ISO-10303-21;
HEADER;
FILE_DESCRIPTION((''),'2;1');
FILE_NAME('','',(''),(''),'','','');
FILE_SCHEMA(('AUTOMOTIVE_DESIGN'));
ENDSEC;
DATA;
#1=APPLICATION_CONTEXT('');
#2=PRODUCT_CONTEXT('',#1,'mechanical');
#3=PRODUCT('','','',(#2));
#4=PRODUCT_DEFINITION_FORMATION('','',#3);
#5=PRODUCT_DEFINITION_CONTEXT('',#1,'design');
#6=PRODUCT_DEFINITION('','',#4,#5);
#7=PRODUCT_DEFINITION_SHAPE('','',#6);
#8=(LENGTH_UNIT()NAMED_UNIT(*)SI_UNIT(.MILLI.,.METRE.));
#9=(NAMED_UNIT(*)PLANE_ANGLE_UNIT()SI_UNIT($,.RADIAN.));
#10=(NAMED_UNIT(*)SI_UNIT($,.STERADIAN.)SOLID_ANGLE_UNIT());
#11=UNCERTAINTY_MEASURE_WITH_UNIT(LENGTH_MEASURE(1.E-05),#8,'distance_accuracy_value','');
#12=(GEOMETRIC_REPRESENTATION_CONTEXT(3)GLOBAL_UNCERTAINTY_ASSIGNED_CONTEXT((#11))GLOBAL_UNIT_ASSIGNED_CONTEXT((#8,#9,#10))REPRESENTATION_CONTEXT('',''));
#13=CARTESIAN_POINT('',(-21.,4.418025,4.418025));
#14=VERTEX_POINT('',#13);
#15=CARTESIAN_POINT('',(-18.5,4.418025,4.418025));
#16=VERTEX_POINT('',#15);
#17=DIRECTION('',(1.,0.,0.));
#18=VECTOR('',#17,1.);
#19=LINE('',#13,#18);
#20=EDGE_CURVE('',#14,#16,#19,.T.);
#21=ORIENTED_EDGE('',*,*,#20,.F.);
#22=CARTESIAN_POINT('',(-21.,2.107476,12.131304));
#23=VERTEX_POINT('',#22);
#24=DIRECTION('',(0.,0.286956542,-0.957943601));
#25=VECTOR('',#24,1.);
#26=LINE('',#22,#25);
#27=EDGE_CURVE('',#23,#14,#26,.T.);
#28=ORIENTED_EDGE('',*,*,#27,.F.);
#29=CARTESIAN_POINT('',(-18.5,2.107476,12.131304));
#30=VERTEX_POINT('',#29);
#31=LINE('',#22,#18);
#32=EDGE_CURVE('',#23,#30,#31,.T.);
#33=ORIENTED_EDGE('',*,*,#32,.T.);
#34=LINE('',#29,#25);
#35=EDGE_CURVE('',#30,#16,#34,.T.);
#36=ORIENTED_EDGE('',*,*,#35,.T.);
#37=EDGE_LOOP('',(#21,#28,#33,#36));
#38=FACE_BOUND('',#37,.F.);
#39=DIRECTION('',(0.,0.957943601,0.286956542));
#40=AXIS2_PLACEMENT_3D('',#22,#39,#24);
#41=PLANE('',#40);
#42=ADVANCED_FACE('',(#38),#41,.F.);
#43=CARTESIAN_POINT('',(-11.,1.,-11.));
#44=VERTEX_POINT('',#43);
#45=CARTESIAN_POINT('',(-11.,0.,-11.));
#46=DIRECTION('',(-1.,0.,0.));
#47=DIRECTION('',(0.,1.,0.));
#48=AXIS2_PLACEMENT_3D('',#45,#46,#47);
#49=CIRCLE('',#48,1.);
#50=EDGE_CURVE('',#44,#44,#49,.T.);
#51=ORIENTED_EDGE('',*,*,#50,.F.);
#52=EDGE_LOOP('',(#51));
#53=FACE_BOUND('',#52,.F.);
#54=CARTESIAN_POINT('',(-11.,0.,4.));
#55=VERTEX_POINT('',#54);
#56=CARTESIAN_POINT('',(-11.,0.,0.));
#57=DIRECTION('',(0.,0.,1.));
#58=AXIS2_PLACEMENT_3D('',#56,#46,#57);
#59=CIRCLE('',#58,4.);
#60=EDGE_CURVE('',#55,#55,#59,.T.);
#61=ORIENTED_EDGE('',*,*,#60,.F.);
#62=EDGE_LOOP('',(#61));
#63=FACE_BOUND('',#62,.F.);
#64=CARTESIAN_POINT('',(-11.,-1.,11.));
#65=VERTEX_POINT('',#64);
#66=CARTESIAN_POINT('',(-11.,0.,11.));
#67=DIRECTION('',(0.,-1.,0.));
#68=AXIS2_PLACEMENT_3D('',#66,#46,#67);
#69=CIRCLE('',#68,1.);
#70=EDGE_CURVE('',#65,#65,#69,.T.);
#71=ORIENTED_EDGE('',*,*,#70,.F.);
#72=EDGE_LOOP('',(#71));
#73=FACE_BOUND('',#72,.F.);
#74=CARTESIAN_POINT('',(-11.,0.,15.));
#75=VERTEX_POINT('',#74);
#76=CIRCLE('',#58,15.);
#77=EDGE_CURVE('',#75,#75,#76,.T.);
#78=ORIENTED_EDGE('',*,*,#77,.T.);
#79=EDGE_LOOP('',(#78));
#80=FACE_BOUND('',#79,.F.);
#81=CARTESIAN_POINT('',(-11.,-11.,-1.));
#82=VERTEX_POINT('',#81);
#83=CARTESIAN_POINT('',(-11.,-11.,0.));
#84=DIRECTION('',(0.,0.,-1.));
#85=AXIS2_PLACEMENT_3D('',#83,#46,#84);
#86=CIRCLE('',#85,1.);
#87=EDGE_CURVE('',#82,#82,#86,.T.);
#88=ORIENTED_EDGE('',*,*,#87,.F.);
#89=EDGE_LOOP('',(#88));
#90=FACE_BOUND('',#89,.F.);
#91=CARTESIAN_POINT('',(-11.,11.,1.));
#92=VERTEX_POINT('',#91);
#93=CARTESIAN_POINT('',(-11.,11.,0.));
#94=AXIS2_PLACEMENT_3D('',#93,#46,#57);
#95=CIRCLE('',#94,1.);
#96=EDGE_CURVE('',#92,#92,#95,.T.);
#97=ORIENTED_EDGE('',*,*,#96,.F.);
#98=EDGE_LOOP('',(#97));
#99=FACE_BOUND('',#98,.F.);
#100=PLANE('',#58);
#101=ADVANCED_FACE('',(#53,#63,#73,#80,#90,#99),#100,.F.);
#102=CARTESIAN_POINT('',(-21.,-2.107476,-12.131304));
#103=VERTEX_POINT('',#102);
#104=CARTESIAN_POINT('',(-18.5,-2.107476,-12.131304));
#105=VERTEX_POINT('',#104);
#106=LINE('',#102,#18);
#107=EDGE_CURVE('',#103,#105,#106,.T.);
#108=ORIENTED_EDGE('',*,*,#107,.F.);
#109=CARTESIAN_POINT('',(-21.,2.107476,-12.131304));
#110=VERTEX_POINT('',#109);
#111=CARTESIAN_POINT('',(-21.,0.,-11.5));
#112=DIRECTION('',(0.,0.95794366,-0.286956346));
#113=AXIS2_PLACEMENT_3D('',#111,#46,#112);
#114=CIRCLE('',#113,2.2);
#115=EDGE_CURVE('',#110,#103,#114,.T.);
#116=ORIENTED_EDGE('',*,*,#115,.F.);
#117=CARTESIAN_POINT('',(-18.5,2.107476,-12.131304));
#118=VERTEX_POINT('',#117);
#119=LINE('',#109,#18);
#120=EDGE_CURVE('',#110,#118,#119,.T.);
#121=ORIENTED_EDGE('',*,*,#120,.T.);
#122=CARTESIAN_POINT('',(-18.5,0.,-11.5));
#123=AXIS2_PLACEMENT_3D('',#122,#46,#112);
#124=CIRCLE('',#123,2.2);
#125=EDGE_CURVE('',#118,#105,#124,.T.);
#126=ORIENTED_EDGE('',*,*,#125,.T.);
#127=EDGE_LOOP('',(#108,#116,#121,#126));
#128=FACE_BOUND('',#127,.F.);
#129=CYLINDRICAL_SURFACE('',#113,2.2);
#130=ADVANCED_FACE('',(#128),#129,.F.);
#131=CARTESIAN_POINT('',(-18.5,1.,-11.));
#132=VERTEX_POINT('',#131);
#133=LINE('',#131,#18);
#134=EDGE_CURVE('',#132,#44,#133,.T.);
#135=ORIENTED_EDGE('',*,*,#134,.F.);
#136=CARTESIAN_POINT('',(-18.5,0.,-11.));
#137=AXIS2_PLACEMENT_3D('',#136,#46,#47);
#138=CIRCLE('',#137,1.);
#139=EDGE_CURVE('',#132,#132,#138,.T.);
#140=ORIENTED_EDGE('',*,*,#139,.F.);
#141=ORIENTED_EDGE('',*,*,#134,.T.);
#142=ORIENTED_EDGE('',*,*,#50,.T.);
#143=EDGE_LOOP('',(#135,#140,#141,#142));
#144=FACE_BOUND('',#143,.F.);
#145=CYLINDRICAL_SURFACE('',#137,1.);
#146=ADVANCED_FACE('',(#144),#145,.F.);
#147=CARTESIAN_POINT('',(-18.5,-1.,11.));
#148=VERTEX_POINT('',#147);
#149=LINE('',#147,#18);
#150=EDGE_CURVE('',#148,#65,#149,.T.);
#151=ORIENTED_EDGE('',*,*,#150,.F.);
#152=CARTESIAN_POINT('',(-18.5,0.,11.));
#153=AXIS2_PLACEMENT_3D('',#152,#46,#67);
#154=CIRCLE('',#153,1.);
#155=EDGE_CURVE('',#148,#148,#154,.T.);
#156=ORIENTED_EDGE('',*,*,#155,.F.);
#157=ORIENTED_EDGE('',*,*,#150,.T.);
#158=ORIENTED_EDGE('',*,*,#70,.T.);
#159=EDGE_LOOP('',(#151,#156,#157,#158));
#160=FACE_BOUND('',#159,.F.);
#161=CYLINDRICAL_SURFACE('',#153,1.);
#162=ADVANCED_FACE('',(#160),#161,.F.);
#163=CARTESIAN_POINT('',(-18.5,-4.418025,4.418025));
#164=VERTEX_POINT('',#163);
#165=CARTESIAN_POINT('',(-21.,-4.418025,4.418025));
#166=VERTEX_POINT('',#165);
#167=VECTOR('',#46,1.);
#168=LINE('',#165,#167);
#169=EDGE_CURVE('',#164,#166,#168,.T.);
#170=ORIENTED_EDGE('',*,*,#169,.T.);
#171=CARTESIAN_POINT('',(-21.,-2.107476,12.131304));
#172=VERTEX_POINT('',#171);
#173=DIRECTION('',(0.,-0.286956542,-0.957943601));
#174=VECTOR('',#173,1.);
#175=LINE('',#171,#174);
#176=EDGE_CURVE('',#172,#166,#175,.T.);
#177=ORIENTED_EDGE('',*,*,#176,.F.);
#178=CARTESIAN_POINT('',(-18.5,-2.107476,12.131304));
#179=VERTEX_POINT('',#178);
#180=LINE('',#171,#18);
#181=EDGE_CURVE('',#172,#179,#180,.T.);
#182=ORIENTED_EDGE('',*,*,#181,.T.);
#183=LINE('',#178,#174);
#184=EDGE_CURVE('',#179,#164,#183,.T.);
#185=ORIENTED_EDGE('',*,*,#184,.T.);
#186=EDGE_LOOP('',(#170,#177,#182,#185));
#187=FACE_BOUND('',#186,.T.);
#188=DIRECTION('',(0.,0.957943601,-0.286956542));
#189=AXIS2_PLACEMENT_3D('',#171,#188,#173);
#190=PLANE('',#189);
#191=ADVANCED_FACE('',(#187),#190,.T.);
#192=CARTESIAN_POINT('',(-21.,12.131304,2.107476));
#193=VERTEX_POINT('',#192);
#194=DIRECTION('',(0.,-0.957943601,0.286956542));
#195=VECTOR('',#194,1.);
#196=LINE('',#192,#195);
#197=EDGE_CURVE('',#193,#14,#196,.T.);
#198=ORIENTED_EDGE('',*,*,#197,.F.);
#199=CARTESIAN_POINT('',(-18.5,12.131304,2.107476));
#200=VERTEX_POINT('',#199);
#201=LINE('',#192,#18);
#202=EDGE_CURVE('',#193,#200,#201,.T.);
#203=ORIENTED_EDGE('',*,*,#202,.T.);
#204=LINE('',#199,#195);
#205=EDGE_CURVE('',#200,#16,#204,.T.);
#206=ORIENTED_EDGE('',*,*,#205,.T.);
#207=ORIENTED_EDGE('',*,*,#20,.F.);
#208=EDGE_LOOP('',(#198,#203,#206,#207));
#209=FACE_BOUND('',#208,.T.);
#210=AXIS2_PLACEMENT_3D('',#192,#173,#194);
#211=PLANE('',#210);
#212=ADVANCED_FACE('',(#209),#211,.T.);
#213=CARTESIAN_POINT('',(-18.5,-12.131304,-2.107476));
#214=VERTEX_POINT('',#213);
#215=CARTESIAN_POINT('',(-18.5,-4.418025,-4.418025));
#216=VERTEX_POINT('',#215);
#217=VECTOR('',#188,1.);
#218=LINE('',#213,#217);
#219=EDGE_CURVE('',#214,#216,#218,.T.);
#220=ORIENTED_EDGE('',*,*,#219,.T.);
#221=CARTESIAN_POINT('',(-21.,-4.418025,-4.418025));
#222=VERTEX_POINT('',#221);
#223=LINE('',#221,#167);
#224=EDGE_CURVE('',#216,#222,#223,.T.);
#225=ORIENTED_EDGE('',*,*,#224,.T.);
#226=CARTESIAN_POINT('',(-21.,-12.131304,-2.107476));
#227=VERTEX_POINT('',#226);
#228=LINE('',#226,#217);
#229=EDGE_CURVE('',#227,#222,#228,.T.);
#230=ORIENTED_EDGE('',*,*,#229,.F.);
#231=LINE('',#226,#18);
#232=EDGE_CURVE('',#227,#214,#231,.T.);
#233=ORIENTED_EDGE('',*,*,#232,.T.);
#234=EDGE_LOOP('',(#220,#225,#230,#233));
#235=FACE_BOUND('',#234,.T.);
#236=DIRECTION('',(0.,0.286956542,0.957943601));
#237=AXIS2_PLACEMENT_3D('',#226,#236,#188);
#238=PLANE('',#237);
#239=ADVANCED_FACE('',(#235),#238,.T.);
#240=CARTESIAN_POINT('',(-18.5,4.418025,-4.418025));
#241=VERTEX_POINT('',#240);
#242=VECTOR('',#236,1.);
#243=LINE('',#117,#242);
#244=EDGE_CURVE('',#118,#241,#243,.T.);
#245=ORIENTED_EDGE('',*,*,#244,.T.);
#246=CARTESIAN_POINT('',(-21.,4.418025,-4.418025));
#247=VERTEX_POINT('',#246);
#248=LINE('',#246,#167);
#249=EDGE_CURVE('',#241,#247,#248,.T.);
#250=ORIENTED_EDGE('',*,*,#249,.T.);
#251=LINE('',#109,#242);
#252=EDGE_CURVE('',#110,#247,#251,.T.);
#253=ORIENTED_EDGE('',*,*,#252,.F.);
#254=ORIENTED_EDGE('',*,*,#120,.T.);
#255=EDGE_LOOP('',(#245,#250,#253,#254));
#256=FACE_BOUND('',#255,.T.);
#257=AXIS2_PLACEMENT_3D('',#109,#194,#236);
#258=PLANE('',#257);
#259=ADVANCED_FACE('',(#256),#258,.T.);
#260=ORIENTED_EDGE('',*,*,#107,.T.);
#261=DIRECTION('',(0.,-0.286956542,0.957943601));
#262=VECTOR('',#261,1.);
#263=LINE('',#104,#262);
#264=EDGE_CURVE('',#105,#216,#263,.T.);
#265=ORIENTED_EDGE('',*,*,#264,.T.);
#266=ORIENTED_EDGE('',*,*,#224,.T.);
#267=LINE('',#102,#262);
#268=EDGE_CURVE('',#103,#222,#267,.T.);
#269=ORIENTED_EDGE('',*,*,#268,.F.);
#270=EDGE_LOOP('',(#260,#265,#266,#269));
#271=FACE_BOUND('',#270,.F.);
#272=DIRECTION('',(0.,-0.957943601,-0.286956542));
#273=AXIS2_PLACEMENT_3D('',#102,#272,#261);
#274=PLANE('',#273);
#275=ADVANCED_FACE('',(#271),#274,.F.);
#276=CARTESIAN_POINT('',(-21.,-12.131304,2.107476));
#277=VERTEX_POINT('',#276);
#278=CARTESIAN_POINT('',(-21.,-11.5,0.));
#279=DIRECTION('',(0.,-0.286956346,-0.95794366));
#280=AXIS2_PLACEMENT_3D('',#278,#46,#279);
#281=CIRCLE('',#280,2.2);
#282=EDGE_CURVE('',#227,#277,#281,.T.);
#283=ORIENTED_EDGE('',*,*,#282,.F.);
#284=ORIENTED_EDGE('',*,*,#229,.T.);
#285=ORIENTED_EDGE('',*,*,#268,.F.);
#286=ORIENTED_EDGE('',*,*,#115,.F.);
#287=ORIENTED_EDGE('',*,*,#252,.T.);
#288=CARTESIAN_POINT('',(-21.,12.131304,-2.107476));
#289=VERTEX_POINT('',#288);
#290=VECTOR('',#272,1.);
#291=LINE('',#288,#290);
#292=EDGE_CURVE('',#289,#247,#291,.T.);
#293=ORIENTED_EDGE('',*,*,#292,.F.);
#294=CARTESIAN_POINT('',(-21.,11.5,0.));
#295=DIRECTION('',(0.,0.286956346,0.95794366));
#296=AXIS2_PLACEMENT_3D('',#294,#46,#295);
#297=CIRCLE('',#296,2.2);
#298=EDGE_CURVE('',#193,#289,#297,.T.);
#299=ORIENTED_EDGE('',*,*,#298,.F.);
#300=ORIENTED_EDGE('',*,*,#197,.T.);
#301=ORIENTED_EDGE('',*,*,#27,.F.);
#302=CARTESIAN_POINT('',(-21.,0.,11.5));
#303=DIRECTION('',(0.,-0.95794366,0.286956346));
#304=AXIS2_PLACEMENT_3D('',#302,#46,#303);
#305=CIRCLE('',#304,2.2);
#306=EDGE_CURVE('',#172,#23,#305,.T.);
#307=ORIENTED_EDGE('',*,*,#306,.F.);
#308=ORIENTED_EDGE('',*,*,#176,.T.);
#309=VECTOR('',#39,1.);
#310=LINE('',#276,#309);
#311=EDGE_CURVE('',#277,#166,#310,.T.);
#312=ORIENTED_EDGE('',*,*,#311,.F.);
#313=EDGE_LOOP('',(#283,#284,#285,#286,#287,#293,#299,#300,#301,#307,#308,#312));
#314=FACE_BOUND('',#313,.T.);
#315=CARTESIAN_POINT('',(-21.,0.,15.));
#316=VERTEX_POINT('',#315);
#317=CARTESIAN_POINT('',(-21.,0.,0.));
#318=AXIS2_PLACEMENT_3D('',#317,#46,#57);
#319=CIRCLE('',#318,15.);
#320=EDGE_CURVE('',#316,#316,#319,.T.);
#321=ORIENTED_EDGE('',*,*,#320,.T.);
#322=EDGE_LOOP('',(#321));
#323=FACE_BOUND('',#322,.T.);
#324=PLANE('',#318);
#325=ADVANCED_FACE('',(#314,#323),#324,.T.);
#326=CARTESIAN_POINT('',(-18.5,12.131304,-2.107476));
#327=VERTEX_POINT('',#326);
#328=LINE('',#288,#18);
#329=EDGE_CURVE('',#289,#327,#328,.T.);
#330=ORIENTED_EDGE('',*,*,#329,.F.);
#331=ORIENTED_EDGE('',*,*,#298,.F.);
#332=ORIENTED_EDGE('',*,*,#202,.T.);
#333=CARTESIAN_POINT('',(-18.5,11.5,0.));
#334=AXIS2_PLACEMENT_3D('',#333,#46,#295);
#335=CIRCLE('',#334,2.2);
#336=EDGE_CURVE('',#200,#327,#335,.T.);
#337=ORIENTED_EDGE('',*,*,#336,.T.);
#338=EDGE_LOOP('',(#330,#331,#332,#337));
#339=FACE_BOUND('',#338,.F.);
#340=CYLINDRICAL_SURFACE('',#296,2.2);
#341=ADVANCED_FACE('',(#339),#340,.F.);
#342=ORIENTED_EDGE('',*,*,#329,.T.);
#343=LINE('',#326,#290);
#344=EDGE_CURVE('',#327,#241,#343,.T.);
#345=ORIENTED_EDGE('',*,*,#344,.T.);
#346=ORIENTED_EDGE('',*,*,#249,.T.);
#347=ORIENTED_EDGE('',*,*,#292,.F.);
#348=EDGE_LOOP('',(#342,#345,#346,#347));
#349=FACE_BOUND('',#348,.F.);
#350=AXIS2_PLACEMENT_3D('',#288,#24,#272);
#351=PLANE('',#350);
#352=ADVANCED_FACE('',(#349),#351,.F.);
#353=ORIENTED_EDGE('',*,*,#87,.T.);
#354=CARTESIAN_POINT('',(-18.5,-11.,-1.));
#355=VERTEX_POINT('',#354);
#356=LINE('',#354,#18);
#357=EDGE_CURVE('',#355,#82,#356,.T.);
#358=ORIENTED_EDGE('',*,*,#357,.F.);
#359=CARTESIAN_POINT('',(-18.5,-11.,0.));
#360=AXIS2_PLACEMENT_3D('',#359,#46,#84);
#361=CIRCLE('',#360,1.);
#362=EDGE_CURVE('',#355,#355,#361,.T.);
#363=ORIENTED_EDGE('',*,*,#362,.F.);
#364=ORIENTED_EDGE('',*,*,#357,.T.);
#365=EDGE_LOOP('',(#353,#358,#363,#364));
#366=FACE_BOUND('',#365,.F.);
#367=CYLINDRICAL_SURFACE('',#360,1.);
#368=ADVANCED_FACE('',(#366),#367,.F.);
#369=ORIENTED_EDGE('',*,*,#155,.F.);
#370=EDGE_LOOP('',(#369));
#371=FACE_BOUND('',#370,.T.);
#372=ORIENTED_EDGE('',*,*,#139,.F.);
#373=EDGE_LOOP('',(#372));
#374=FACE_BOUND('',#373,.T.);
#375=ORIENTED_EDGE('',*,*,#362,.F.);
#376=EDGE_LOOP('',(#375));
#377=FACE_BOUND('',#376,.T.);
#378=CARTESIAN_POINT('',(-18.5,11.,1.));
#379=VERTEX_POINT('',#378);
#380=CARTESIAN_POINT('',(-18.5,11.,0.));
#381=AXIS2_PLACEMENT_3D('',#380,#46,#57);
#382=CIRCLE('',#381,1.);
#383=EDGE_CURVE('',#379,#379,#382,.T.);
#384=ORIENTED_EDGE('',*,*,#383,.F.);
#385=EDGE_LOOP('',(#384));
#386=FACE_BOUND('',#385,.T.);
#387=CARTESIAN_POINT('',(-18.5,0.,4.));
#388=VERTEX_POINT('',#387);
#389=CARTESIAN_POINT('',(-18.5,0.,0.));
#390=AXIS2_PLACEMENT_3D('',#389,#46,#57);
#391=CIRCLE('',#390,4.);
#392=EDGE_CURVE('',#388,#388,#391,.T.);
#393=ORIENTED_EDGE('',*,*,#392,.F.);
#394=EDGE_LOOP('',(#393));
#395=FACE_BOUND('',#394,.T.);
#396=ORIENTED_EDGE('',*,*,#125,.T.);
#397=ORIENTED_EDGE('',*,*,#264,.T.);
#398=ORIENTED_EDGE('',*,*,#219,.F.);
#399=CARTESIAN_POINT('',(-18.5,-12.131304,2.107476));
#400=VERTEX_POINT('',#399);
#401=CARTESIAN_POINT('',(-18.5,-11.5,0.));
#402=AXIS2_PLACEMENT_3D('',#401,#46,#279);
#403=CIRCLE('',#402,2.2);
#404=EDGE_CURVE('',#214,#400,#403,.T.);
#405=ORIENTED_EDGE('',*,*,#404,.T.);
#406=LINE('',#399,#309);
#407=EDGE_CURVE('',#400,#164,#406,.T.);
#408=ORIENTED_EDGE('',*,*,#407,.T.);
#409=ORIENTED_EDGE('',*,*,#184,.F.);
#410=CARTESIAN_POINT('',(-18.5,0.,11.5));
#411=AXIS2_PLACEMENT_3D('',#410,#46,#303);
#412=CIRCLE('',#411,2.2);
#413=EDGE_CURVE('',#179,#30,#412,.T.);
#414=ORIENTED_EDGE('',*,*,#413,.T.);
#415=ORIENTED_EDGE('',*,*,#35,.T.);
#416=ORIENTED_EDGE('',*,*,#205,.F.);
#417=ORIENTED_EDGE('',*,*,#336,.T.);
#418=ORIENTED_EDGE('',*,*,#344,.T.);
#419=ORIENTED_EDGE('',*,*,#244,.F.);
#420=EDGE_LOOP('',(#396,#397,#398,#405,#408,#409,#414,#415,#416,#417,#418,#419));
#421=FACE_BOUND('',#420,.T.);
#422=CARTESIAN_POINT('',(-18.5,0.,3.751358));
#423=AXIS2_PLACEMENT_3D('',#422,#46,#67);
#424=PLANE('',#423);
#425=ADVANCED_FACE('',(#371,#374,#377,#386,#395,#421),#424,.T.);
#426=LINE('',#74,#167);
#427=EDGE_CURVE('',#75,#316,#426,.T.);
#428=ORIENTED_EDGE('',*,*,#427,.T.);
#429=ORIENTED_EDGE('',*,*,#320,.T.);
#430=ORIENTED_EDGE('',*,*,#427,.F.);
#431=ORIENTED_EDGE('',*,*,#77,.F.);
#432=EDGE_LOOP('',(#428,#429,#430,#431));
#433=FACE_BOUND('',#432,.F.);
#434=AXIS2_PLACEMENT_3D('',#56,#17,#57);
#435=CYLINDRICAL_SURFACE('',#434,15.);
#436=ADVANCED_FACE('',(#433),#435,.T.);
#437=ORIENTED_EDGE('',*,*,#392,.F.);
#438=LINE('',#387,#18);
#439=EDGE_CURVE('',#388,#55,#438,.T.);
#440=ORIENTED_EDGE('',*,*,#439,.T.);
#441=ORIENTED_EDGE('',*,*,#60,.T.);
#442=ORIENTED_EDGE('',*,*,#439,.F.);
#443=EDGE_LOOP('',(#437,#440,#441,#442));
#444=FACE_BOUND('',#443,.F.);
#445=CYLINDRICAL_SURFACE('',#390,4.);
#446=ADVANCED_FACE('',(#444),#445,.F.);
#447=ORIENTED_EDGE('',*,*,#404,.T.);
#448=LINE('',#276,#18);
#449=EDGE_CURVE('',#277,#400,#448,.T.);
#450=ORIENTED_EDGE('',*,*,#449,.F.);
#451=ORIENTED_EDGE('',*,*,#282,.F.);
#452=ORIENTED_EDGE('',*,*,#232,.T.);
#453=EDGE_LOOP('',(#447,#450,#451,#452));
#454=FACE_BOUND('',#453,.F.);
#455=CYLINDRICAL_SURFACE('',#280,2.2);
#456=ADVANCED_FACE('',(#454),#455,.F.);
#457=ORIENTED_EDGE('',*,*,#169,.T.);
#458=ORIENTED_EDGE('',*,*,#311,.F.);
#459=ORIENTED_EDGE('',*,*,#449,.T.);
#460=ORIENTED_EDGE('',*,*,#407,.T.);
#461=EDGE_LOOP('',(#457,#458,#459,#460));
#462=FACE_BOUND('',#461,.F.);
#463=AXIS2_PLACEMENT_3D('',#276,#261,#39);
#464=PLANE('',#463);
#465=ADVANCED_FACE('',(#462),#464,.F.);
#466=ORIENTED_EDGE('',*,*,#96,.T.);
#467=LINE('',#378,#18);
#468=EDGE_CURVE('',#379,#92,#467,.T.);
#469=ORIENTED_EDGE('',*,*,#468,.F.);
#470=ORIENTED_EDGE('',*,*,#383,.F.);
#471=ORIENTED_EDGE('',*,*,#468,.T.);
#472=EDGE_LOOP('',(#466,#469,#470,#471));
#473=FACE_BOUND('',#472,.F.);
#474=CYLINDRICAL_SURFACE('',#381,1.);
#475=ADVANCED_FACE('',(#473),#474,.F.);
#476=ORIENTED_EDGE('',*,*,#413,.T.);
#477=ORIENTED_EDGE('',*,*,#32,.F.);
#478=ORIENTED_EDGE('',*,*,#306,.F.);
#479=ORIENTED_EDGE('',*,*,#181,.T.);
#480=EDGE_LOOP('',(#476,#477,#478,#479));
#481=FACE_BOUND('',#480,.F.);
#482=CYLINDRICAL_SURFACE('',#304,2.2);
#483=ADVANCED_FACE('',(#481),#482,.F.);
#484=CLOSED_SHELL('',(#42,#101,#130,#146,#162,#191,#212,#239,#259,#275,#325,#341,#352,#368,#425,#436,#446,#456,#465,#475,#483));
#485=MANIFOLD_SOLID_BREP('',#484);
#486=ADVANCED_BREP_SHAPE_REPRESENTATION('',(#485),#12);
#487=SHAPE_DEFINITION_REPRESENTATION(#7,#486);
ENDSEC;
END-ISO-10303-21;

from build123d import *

# Parameters (mm, degrees)
SKETCH013_R             = 15
PAD008_DEPTH            = 10
POCKET002_DEPTH         = 2.5
POLARPATTERN_COUNT      = 4
SKETCH010_R             = 1
HOLE_DEPTH              = 25
POLARPATTERN001_COUNT   = 4
SKETCH011_R             = 4
POCKET001_DEPTH         = 7.501
BODY009_PLACEMENT_ANGLE = 90


with BuildPart() as part:
    # Sketch013 → Pad008 (new body)
    with BuildSketch(Plane.XY):
        Circle(SKETCH013_R)
    extrude(amount=PAD008_DEPTH)

    # Sketch012 (on Face3 of Pad008) → Pocket002 (cut)
    with BuildSketch(Plane.XY.offset(10)):
        with BuildLine():
            ThreePointArc((-5.26869, 1.578261), (0, -5.5), (5.26869, 1.578261))
            Line((2.107476, 12.131304), (5.26869, 1.578261))
            ThreePointArc((2.107476, 12.131304), (0, 13.7), (-2.107476, 12.131304))
            Line((-2.107476, 12.131304), (-5.26869, 1.578261))
        make_face()
    pocket002 = extrude(amount=-POCKET002_DEPTH, mode=Mode.SUBTRACT)

    # PolarPattern: Pocket002 ×4 about axis
    polarpattern_axis = Axis((0, 0, 10), (0, 0, 1))
    for i in range(1, POLARPATTERN_COUNT):
        add(pocket002.rotate(polarpattern_axis, i * 360 / POLARPATTERN_COUNT), mode=Mode.SUBTRACT)

    # Sketch010 (on Face21 of PolarPattern) → Hole (cut)
    with BuildSketch(Plane.XY.offset(7.5)):
        with Locations((0, 11)):
            Circle(SKETCH010_R)
    hole = extrude(amount=-HOLE_DEPTH, mode=Mode.SUBTRACT)

    # PolarPattern001: Hole ×4 about axis
    polarpattern001_axis = Axis((0, 0, 7.5), (0, 0, 1))
    for i in range(1, POLARPATTERN001_COUNT):
        add(hole.rotate(polarpattern001_axis, i * 360 / POLARPATTERN001_COUNT), mode=Mode.SUBTRACT)

    # Sketch011 (on Face25 of PolarPattern001) → Pocket001 (cut, through all)
    with BuildSketch(Plane.XY.offset(7.5)):
        Circle(SKETCH011_R)
    extrude(amount=-POCKET001_DEPTH, mode=Mode.SUBTRACT)


with BuildPart() as part_1:
    # Body009 placement: moved
    add(part.part.moved(Location((-11, 0, 0))).rotate(Axis((-11, 0, 0), (0, -1, 0)), BODY009_PLACEMENT_ANGLE))


solid = part_1.part
